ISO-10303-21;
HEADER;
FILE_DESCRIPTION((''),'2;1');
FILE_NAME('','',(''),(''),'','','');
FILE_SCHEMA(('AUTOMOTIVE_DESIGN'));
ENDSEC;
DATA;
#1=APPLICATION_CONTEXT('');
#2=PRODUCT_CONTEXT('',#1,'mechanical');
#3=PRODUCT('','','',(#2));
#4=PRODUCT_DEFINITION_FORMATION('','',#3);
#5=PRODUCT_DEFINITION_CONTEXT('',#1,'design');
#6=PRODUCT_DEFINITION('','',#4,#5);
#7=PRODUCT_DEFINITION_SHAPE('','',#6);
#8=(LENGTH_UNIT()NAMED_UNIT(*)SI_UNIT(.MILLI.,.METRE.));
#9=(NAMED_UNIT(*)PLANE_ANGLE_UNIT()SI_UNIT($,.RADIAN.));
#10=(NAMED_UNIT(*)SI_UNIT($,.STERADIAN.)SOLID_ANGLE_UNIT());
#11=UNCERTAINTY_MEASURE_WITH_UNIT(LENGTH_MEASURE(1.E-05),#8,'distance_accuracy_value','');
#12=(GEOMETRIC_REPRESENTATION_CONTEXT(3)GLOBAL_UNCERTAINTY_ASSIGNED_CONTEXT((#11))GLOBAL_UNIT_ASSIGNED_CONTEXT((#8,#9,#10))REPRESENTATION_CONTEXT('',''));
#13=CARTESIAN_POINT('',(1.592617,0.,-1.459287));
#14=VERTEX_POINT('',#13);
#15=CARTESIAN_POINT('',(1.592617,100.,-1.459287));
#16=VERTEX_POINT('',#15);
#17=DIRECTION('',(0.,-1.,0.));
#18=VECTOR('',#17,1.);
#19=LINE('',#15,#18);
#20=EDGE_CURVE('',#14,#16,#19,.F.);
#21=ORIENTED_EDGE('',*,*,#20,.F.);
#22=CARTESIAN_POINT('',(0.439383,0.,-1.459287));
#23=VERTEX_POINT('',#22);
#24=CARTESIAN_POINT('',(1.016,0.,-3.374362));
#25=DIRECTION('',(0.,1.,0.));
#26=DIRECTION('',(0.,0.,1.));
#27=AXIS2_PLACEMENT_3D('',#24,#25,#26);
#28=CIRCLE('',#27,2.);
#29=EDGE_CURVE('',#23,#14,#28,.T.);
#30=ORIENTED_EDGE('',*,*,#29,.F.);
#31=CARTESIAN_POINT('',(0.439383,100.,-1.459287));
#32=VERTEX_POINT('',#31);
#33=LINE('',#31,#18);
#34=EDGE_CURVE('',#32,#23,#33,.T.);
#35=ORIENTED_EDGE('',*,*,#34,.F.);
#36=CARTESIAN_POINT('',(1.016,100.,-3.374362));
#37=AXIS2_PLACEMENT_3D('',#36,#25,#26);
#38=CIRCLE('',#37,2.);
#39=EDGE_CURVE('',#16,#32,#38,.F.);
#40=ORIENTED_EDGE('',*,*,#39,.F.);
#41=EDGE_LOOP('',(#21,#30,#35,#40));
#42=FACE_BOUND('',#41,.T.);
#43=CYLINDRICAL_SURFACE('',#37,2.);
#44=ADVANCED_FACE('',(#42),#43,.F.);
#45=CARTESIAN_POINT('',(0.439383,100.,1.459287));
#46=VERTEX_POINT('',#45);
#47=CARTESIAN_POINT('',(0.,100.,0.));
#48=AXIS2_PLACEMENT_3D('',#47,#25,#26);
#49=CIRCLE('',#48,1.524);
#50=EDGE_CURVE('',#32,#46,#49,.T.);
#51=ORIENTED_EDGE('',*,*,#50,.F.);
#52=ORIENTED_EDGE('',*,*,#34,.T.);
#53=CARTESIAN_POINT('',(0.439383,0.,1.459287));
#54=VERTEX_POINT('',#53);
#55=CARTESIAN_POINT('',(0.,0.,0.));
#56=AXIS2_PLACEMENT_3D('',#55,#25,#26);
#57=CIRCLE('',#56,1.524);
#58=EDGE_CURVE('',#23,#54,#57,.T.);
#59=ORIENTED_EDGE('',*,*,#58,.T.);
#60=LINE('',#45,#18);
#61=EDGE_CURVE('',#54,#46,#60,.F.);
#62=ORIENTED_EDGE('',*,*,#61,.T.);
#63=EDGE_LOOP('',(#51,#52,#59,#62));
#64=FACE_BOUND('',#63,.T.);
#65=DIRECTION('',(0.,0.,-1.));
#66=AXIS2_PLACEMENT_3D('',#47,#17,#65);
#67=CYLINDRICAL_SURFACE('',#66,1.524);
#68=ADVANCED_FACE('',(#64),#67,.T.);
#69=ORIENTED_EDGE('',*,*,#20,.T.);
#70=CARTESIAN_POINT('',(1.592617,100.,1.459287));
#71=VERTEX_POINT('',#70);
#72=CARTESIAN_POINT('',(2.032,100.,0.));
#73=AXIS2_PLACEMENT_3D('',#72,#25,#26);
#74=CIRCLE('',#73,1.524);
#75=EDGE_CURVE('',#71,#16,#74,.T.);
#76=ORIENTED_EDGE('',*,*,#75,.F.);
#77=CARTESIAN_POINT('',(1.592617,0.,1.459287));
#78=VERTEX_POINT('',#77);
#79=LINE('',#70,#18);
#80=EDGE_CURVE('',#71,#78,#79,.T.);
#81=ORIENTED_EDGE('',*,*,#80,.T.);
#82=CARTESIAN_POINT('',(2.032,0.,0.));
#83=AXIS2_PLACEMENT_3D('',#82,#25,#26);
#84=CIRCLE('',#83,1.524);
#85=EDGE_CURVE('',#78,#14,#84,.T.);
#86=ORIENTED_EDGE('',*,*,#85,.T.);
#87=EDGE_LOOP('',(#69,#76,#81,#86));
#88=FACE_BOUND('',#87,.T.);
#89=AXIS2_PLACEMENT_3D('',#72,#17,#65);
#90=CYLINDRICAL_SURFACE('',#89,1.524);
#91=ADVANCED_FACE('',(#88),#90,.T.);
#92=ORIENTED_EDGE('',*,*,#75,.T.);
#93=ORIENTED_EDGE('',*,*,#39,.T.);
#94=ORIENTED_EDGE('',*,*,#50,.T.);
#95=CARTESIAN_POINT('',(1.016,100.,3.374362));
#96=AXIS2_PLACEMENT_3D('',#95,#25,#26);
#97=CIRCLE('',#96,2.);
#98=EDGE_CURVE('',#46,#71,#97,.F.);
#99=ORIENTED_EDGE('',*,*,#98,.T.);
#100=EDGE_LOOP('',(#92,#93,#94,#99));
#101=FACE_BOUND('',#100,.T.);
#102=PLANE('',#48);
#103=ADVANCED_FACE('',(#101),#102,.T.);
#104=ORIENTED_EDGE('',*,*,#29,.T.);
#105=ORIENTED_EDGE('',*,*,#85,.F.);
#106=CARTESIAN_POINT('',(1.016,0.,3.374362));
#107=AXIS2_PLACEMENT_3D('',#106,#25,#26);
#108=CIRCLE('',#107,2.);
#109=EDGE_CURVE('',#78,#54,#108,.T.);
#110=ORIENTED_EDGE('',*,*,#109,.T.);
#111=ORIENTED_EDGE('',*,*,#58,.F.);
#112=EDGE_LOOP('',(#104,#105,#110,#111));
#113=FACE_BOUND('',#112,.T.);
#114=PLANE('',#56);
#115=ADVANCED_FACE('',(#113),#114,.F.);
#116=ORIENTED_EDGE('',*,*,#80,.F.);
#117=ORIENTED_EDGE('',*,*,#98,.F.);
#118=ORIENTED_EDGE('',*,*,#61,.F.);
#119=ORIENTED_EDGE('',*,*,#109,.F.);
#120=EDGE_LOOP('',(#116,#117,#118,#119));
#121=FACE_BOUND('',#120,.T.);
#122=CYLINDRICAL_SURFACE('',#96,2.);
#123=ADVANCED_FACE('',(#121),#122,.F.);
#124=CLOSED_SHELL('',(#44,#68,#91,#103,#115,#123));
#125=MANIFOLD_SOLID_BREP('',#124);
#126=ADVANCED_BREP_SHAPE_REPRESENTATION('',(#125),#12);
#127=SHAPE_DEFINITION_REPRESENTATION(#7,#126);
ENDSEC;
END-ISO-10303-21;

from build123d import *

# Parameters (mm, degrees)
BOSS_EXTRUDE1_DEPTH = 100
FILLET1_R           = 2


with BuildPart() as part:
    # Sketch1 → Boss-Extrude1 (new body)
    with BuildSketch(Plane(origin=(0, 0, 0), x_dir=(1, 0, 0), z_dir=(0, 1, 0))):
        with BuildLine():
            ThreePointArc((1.016, 1.135922533), (-1.524, 0), (1.016, -1.135922533))
            ThreePointArc((1.016, -1.135922533), (3.556, 0), (1.016, 1.135922533))
        make_face()
    extrude(amount=BOSS_EXTRUDE1_DEPTH)

    # Fillet1
    fillet1_edges = [part.edges().sort_by_distance(p)[0] for p in [
        (1.016, 50, 1.135922533),
        (1.016, 50, -1.135922533),
    ]]
    fillet(fillet1_edges, radius=FILLET1_R)


solid = part.part
